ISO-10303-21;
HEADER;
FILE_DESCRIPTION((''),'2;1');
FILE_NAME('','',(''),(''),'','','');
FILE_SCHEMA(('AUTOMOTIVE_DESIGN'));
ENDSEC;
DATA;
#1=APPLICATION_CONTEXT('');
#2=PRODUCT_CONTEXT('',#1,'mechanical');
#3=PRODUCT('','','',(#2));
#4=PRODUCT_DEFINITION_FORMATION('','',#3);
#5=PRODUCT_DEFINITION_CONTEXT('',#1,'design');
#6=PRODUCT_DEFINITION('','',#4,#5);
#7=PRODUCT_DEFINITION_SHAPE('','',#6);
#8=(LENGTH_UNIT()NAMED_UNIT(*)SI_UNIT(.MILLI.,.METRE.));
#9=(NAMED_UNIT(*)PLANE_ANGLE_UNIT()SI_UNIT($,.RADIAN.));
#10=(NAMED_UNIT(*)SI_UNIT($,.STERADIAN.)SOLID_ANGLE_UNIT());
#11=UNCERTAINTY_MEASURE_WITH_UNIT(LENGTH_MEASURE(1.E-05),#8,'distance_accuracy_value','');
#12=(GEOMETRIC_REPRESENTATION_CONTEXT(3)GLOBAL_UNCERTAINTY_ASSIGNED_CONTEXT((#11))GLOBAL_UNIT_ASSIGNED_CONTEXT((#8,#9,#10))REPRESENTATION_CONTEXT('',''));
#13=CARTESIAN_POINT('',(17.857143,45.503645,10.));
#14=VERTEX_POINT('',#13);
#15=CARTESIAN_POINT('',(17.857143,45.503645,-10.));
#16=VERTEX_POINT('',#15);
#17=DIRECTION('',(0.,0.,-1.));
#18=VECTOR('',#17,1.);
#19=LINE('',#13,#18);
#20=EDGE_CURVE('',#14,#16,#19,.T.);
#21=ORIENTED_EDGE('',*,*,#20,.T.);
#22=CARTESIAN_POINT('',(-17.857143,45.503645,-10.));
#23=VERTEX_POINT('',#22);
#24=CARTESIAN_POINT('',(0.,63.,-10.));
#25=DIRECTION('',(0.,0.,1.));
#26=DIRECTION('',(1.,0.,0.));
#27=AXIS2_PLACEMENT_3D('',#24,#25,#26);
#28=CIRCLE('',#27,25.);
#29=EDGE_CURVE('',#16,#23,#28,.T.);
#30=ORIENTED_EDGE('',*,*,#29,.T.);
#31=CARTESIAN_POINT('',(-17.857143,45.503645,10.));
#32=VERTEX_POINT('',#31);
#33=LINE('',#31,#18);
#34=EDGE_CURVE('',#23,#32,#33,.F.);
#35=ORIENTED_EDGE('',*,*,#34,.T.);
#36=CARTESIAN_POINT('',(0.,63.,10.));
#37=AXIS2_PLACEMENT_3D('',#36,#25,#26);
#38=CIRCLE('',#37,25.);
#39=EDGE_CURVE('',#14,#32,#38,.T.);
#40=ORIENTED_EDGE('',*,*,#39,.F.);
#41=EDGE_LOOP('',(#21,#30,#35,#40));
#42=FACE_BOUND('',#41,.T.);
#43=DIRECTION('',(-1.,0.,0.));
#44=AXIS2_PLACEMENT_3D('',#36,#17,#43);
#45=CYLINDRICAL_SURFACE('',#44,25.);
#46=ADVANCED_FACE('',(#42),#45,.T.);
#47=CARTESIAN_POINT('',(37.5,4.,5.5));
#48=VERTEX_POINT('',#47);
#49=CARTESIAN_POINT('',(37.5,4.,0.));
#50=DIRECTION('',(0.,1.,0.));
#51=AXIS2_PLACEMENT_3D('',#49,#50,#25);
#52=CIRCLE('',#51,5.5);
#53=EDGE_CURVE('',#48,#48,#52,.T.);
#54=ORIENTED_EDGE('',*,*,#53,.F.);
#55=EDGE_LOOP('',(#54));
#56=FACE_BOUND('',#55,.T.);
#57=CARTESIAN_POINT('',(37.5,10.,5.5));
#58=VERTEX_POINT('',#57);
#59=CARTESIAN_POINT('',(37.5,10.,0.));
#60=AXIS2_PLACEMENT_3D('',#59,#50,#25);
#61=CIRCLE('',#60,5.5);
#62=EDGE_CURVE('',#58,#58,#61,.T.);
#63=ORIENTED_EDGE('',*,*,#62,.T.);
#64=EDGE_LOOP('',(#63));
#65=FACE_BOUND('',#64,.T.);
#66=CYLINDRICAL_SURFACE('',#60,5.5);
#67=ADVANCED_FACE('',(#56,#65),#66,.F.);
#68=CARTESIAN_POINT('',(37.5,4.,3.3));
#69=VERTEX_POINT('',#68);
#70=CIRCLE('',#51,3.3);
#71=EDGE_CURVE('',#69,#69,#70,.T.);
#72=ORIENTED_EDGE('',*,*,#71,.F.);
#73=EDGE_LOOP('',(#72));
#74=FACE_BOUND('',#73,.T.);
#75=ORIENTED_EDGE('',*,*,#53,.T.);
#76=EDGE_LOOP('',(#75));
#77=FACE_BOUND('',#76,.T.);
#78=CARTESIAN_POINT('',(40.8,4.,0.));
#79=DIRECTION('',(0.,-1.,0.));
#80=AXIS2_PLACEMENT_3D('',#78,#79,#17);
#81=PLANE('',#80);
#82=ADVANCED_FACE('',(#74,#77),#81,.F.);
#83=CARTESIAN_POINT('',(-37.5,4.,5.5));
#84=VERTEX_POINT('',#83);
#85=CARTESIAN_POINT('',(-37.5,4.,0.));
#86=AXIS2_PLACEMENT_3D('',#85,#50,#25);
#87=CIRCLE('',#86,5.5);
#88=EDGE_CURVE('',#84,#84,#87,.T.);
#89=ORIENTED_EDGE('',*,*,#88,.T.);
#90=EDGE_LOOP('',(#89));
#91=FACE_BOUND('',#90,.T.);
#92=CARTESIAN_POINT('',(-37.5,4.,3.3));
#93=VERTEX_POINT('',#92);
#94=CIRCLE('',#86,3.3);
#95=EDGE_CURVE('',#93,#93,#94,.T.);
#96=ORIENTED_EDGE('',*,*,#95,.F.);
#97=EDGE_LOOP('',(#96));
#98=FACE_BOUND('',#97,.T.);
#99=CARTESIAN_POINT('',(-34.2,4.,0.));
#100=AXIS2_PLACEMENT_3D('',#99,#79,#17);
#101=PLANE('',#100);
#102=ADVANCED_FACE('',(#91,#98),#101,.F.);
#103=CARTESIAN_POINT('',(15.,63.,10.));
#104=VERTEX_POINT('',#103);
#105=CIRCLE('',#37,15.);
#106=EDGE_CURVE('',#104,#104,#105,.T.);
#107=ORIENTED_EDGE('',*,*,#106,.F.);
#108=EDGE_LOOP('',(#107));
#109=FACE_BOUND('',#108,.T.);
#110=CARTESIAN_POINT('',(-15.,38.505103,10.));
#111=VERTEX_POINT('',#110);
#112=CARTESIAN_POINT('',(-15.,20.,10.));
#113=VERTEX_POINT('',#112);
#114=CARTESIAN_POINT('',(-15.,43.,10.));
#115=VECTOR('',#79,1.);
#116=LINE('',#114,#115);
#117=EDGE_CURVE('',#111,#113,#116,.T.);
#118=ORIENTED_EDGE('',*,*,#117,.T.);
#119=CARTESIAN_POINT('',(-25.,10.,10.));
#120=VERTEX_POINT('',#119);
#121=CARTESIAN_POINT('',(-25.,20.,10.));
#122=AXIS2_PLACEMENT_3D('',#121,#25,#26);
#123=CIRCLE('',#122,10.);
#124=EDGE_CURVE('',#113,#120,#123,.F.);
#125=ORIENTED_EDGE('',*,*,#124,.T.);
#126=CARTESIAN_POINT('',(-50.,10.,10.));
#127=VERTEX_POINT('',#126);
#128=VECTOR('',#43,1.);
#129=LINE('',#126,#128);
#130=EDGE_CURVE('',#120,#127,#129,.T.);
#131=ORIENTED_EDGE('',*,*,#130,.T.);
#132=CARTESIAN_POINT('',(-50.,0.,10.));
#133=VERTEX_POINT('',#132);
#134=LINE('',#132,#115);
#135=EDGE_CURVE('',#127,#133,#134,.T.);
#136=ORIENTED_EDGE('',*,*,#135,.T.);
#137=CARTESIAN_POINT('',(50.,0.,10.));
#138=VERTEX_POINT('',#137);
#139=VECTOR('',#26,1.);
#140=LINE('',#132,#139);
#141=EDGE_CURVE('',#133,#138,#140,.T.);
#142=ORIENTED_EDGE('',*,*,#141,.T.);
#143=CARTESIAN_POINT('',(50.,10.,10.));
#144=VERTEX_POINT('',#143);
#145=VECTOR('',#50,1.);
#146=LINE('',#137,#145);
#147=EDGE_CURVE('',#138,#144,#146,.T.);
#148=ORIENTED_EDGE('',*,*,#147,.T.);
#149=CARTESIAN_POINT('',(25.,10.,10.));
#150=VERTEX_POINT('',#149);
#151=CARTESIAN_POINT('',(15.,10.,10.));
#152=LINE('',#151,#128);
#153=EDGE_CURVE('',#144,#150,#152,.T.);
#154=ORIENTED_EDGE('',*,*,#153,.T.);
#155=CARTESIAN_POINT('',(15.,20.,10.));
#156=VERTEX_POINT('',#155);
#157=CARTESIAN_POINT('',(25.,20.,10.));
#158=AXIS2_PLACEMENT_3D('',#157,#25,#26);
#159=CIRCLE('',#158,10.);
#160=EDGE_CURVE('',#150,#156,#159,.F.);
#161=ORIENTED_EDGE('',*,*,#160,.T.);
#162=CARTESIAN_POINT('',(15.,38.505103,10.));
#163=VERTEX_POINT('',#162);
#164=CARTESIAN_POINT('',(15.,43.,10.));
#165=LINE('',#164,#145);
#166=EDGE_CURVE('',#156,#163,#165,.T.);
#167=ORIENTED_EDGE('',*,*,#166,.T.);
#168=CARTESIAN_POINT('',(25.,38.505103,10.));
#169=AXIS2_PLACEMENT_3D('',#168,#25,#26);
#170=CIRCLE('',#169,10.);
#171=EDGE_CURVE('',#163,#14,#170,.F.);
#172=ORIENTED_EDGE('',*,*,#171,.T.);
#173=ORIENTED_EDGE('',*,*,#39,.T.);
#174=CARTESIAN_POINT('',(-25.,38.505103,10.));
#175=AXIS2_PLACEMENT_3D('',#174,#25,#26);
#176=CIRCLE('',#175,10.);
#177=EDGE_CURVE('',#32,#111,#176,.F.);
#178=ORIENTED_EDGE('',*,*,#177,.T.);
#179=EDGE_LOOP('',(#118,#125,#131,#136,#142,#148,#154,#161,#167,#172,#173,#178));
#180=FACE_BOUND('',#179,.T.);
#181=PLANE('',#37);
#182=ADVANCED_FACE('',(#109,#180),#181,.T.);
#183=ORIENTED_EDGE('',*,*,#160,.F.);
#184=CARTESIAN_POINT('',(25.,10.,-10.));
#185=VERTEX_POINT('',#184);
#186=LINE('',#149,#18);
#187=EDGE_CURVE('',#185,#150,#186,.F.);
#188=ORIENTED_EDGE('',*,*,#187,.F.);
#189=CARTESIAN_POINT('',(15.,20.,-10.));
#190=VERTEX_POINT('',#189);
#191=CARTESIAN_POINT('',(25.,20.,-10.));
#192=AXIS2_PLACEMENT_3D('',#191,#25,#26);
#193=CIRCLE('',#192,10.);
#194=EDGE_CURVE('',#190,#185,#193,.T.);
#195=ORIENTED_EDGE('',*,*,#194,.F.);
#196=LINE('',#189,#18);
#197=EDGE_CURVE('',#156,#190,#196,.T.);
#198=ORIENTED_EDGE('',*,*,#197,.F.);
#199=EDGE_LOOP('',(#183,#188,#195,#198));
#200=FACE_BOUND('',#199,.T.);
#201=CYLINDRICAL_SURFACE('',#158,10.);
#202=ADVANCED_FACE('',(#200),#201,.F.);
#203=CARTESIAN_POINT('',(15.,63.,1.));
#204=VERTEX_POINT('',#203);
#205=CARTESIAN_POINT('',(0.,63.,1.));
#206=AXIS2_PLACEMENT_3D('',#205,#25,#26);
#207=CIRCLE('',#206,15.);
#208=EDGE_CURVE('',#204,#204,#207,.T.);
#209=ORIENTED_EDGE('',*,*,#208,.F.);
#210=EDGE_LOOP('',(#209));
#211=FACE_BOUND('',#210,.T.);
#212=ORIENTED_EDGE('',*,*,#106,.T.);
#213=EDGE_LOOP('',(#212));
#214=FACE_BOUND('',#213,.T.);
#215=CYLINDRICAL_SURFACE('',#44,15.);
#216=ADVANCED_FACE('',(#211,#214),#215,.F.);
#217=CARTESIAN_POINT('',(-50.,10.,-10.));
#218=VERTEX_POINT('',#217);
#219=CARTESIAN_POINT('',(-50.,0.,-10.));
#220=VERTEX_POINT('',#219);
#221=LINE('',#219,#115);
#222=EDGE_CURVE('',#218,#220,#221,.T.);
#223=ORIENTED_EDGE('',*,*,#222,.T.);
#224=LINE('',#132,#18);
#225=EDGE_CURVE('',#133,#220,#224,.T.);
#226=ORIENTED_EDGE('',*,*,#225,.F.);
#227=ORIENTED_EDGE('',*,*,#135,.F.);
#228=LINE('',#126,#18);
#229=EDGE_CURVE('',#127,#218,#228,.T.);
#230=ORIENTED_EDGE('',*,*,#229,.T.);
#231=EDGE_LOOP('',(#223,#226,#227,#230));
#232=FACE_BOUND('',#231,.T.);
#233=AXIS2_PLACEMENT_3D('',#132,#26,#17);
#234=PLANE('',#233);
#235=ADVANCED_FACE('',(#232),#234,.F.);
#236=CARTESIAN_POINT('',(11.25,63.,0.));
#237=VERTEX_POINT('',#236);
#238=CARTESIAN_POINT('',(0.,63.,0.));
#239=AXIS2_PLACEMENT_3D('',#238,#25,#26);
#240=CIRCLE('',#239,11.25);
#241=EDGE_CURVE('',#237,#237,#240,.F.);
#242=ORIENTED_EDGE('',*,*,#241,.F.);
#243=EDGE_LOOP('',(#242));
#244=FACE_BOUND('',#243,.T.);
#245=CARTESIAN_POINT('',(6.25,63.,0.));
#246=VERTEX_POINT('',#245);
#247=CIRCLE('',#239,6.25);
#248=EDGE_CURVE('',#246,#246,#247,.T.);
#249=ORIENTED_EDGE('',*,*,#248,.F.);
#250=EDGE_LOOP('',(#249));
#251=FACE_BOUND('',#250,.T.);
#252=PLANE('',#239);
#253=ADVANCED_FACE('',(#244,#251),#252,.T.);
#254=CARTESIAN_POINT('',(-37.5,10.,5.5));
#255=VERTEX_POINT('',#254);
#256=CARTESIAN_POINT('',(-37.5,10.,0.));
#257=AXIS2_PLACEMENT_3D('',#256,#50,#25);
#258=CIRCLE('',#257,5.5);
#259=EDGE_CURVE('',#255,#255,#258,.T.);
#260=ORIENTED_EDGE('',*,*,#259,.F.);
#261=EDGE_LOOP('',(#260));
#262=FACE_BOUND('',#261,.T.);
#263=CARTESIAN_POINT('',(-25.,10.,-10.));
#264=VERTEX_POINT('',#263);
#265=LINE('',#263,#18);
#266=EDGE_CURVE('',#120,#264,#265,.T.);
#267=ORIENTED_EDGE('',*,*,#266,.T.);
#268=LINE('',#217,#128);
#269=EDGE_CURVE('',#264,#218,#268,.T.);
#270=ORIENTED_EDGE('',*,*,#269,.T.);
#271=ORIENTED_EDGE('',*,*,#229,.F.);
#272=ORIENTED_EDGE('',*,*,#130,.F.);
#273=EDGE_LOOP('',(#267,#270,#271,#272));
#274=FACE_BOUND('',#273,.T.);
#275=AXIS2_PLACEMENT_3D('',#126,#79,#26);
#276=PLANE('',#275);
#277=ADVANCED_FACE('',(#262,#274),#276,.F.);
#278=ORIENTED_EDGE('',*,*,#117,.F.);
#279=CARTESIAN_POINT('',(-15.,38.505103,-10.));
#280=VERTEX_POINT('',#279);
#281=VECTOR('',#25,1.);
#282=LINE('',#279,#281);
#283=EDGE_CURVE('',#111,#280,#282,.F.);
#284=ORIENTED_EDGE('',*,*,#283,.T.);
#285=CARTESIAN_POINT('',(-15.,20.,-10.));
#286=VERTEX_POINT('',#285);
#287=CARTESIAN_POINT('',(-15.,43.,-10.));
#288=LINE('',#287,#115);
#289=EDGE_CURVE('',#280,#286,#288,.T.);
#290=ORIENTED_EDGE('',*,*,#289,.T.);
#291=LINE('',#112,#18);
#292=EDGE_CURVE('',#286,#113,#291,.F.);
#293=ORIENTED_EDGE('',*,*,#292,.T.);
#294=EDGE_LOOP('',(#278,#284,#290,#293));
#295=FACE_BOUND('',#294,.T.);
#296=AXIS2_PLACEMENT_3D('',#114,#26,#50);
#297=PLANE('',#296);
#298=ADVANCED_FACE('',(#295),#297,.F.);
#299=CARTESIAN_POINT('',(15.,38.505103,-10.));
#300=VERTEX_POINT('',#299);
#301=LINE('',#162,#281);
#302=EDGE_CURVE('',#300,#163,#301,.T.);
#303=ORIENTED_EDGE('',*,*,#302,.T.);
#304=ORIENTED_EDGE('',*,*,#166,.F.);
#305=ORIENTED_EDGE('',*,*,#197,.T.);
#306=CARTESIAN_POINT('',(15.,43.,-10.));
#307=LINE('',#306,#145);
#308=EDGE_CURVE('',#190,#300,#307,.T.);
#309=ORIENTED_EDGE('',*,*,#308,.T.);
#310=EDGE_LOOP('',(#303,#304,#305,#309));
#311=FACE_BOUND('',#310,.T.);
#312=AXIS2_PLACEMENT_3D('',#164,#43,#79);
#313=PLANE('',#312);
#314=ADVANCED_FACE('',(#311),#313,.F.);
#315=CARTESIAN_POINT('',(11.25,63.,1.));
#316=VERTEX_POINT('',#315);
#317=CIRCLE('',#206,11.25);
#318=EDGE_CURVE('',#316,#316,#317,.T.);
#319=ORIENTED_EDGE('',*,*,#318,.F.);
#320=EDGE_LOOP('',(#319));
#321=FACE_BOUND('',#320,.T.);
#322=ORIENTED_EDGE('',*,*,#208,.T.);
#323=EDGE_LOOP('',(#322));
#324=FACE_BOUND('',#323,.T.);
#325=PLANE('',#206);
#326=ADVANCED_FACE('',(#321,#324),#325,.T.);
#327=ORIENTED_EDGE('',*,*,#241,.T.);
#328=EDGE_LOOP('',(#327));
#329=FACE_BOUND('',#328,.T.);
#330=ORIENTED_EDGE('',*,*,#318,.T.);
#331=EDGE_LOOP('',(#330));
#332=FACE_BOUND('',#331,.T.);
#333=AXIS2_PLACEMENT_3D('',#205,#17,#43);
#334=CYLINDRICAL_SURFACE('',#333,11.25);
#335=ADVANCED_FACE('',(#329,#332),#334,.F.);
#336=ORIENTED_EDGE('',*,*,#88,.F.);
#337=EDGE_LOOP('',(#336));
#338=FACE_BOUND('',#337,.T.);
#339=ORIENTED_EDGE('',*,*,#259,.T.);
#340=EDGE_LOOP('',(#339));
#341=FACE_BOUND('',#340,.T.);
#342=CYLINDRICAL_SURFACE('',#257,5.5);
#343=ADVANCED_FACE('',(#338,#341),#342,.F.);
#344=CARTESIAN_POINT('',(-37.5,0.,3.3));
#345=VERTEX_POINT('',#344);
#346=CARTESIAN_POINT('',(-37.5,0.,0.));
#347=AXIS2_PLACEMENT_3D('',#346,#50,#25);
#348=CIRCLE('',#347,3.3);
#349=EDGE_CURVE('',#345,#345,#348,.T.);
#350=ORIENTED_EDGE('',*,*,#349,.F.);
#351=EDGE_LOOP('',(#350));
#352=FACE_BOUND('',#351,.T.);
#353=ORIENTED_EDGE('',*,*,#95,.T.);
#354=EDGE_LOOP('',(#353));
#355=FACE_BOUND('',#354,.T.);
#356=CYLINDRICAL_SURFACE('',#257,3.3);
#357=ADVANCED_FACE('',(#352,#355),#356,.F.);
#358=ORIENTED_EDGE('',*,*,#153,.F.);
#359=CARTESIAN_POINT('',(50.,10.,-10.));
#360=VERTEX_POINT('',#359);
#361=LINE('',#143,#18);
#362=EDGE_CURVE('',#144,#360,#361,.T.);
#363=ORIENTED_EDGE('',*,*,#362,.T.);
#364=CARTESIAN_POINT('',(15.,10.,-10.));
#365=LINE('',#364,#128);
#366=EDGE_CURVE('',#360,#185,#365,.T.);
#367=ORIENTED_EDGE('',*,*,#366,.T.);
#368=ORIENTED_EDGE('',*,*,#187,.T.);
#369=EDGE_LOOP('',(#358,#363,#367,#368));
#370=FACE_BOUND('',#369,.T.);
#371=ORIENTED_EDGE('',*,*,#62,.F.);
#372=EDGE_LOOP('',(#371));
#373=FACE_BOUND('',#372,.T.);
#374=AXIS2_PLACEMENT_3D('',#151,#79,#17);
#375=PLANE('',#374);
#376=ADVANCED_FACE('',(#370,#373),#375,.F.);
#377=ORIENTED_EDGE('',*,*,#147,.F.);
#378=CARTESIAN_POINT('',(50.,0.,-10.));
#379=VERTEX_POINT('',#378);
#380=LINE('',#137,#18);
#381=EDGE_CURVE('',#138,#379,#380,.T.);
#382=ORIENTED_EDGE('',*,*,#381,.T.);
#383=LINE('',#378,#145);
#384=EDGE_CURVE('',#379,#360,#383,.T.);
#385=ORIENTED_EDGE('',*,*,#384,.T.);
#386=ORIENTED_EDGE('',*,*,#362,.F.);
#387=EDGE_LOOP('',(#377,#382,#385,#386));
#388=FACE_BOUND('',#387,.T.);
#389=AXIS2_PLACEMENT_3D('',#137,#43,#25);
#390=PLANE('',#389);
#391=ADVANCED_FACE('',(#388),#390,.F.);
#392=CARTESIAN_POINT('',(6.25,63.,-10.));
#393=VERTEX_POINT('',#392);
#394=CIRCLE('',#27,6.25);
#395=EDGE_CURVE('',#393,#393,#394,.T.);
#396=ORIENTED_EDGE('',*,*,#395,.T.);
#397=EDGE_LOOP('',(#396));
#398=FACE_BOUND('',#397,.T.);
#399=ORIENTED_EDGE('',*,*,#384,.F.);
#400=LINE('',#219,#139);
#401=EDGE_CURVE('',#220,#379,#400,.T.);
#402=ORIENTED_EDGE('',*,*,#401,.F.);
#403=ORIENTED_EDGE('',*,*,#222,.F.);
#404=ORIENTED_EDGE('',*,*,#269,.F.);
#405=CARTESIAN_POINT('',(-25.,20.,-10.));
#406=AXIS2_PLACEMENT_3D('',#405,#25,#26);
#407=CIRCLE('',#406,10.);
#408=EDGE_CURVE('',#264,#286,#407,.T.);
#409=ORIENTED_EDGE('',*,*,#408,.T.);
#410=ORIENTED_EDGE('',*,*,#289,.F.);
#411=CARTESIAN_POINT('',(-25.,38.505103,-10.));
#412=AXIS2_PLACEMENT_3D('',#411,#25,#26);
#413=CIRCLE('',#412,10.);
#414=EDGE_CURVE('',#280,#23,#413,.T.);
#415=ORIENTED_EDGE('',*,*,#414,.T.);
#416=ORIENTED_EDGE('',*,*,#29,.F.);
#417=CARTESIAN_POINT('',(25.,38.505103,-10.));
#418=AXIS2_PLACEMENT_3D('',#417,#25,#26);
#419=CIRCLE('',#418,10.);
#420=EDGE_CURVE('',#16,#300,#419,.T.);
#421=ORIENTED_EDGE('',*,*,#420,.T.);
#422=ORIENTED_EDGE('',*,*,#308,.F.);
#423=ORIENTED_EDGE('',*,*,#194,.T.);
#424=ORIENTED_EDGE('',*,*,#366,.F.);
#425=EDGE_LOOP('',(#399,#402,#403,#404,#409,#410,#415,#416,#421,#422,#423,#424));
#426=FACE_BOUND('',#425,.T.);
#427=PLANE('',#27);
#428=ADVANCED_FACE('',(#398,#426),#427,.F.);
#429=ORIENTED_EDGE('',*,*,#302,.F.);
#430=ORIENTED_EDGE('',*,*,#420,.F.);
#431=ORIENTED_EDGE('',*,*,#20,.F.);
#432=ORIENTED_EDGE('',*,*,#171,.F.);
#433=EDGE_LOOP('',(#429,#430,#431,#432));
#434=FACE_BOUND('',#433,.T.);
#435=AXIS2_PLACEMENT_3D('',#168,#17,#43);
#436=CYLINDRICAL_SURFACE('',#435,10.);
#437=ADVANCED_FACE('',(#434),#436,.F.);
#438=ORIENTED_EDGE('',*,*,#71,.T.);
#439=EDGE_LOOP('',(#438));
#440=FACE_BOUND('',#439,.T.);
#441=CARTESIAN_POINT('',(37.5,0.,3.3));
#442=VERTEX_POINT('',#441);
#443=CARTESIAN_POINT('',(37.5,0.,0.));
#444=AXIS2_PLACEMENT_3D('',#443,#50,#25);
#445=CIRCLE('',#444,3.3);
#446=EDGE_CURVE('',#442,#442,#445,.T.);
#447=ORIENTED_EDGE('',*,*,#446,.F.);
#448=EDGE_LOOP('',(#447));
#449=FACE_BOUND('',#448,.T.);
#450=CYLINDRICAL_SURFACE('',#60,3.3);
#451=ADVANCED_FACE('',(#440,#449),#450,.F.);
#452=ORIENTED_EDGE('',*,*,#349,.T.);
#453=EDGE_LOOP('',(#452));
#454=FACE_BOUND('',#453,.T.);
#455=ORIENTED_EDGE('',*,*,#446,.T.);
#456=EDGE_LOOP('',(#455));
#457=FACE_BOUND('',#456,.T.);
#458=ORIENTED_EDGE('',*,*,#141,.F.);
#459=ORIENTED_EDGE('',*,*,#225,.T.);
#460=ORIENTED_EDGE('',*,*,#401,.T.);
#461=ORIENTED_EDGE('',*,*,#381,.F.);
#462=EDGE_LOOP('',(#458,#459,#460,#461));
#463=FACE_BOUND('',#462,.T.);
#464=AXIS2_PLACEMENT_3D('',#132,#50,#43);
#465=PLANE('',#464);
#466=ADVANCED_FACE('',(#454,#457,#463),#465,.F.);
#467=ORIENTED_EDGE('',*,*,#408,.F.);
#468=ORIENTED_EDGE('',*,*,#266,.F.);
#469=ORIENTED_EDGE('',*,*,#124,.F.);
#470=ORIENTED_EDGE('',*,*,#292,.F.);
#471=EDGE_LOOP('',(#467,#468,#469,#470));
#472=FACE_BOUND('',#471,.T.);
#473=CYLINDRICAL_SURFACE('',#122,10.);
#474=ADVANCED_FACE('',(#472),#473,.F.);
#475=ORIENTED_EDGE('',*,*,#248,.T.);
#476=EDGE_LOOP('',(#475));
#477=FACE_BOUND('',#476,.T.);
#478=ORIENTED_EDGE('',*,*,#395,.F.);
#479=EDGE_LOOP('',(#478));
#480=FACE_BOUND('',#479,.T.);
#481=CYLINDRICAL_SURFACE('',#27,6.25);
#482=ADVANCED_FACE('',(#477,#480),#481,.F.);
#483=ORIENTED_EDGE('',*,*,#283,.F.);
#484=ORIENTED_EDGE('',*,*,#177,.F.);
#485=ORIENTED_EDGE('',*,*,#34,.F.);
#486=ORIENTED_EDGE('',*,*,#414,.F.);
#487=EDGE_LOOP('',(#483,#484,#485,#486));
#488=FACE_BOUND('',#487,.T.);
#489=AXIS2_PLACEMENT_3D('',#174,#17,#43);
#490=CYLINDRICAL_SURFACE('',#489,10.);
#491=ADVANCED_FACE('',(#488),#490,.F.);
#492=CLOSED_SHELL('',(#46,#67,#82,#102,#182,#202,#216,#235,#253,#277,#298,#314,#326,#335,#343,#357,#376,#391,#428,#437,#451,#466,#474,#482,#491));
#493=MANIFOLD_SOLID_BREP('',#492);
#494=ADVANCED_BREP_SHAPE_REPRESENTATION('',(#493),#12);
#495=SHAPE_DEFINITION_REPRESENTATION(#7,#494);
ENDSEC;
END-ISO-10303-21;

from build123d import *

# Parameters (mm, degrees)
SKETCH1_R                      = 15
BOSS_EXTRUDE1_DEPTH            = 10
SKETCH2_R                      = 15
SKETCH2_R_2                    = 6.25
BOSS_EXTRUDE2_DEPTH            = 10
FILLET1_R                      = 10
CBORE_FOR_M6_SHCS1_D           = 6.6
CBORE_FOR_M6_SHCS1_CBORE_D     = 11
CBORE_FOR_M6_SHCS1_CBORE_DEPTH = 6
SKETCH5_R                      = 15
SKETCH5_R_2                    = 11.25
BOSS_EXTRUDE3_DEPTH            = 1


with BuildPart() as part:
    # Sketch1 → Boss-Extrude1 (new, symmetric)
    with BuildSketch(Plane.XY):
        with BuildLine():
            Line((15, 43), (15, 10))
            Line((15, 10), (50, 10))
            Line((50, 10), (50, 0))
            Line((50, 0), (-50, 0))
            Line((-50, 0), (-50, 10))
            Line((-50, 10), (-15, 10))
            Line((-15, 10), (-15, 43))
            ThreePointArc((-15, 43), (0, 88), (15, 43))
        make_face()
        with Locations((0, 63)):
            Circle(SKETCH1_R, mode=Mode.SUBTRACT)
    extrude(amount=BOSS_EXTRUDE1_DEPTH, both=True)

    # Sketch2 → Boss-Extrude2 (add, through all)
    with BuildSketch(Plane.XY):
        with Locations((0, 63)):
            Circle(SKETCH2_R)
        with Locations((0, 63)):
            Circle(SKETCH2_R_2, mode=Mode.SUBTRACT)
    extrude(amount=-BOSS_EXTRUDE2_DEPTH)

    # Fillet1
    fillet1_edges = [part.edges().sort_by_distance(p)[0] for p in [
        (-15, 10, 0),
        (-15, 43, 0),
        (15, 43, 0),
        (15, 10, 0),
    ]]
    fillet(fillet1_edges, radius=FILLET1_R)

    # CBORE for M6 SHCS1 (through all)
    with Locations(Plane(origin=(0, 10, 0), x_dir=(1, 0, 0), z_dir=(0, 1, 0))):
        with Locations((-37.5, 0), (37.5, 0)):
            CounterBoreHole(CBORE_FOR_M6_SHCS1_D / 2, CBORE_FOR_M6_SHCS1_CBORE_D / 2, CBORE_FOR_M6_SHCS1_CBORE_DEPTH)

    # Sketch5 → Boss-Extrude3 (add)
    with BuildSketch(Plane.XY):
        with Locations((0, 63)):
            Circle(SKETCH5_R)
        with Locations((0, 63)):
            Circle(SKETCH5_R_2, mode=Mode.SUBTRACT)
    extrude(amount=BOSS_EXTRUDE3_DEPTH)


solid = part.part
